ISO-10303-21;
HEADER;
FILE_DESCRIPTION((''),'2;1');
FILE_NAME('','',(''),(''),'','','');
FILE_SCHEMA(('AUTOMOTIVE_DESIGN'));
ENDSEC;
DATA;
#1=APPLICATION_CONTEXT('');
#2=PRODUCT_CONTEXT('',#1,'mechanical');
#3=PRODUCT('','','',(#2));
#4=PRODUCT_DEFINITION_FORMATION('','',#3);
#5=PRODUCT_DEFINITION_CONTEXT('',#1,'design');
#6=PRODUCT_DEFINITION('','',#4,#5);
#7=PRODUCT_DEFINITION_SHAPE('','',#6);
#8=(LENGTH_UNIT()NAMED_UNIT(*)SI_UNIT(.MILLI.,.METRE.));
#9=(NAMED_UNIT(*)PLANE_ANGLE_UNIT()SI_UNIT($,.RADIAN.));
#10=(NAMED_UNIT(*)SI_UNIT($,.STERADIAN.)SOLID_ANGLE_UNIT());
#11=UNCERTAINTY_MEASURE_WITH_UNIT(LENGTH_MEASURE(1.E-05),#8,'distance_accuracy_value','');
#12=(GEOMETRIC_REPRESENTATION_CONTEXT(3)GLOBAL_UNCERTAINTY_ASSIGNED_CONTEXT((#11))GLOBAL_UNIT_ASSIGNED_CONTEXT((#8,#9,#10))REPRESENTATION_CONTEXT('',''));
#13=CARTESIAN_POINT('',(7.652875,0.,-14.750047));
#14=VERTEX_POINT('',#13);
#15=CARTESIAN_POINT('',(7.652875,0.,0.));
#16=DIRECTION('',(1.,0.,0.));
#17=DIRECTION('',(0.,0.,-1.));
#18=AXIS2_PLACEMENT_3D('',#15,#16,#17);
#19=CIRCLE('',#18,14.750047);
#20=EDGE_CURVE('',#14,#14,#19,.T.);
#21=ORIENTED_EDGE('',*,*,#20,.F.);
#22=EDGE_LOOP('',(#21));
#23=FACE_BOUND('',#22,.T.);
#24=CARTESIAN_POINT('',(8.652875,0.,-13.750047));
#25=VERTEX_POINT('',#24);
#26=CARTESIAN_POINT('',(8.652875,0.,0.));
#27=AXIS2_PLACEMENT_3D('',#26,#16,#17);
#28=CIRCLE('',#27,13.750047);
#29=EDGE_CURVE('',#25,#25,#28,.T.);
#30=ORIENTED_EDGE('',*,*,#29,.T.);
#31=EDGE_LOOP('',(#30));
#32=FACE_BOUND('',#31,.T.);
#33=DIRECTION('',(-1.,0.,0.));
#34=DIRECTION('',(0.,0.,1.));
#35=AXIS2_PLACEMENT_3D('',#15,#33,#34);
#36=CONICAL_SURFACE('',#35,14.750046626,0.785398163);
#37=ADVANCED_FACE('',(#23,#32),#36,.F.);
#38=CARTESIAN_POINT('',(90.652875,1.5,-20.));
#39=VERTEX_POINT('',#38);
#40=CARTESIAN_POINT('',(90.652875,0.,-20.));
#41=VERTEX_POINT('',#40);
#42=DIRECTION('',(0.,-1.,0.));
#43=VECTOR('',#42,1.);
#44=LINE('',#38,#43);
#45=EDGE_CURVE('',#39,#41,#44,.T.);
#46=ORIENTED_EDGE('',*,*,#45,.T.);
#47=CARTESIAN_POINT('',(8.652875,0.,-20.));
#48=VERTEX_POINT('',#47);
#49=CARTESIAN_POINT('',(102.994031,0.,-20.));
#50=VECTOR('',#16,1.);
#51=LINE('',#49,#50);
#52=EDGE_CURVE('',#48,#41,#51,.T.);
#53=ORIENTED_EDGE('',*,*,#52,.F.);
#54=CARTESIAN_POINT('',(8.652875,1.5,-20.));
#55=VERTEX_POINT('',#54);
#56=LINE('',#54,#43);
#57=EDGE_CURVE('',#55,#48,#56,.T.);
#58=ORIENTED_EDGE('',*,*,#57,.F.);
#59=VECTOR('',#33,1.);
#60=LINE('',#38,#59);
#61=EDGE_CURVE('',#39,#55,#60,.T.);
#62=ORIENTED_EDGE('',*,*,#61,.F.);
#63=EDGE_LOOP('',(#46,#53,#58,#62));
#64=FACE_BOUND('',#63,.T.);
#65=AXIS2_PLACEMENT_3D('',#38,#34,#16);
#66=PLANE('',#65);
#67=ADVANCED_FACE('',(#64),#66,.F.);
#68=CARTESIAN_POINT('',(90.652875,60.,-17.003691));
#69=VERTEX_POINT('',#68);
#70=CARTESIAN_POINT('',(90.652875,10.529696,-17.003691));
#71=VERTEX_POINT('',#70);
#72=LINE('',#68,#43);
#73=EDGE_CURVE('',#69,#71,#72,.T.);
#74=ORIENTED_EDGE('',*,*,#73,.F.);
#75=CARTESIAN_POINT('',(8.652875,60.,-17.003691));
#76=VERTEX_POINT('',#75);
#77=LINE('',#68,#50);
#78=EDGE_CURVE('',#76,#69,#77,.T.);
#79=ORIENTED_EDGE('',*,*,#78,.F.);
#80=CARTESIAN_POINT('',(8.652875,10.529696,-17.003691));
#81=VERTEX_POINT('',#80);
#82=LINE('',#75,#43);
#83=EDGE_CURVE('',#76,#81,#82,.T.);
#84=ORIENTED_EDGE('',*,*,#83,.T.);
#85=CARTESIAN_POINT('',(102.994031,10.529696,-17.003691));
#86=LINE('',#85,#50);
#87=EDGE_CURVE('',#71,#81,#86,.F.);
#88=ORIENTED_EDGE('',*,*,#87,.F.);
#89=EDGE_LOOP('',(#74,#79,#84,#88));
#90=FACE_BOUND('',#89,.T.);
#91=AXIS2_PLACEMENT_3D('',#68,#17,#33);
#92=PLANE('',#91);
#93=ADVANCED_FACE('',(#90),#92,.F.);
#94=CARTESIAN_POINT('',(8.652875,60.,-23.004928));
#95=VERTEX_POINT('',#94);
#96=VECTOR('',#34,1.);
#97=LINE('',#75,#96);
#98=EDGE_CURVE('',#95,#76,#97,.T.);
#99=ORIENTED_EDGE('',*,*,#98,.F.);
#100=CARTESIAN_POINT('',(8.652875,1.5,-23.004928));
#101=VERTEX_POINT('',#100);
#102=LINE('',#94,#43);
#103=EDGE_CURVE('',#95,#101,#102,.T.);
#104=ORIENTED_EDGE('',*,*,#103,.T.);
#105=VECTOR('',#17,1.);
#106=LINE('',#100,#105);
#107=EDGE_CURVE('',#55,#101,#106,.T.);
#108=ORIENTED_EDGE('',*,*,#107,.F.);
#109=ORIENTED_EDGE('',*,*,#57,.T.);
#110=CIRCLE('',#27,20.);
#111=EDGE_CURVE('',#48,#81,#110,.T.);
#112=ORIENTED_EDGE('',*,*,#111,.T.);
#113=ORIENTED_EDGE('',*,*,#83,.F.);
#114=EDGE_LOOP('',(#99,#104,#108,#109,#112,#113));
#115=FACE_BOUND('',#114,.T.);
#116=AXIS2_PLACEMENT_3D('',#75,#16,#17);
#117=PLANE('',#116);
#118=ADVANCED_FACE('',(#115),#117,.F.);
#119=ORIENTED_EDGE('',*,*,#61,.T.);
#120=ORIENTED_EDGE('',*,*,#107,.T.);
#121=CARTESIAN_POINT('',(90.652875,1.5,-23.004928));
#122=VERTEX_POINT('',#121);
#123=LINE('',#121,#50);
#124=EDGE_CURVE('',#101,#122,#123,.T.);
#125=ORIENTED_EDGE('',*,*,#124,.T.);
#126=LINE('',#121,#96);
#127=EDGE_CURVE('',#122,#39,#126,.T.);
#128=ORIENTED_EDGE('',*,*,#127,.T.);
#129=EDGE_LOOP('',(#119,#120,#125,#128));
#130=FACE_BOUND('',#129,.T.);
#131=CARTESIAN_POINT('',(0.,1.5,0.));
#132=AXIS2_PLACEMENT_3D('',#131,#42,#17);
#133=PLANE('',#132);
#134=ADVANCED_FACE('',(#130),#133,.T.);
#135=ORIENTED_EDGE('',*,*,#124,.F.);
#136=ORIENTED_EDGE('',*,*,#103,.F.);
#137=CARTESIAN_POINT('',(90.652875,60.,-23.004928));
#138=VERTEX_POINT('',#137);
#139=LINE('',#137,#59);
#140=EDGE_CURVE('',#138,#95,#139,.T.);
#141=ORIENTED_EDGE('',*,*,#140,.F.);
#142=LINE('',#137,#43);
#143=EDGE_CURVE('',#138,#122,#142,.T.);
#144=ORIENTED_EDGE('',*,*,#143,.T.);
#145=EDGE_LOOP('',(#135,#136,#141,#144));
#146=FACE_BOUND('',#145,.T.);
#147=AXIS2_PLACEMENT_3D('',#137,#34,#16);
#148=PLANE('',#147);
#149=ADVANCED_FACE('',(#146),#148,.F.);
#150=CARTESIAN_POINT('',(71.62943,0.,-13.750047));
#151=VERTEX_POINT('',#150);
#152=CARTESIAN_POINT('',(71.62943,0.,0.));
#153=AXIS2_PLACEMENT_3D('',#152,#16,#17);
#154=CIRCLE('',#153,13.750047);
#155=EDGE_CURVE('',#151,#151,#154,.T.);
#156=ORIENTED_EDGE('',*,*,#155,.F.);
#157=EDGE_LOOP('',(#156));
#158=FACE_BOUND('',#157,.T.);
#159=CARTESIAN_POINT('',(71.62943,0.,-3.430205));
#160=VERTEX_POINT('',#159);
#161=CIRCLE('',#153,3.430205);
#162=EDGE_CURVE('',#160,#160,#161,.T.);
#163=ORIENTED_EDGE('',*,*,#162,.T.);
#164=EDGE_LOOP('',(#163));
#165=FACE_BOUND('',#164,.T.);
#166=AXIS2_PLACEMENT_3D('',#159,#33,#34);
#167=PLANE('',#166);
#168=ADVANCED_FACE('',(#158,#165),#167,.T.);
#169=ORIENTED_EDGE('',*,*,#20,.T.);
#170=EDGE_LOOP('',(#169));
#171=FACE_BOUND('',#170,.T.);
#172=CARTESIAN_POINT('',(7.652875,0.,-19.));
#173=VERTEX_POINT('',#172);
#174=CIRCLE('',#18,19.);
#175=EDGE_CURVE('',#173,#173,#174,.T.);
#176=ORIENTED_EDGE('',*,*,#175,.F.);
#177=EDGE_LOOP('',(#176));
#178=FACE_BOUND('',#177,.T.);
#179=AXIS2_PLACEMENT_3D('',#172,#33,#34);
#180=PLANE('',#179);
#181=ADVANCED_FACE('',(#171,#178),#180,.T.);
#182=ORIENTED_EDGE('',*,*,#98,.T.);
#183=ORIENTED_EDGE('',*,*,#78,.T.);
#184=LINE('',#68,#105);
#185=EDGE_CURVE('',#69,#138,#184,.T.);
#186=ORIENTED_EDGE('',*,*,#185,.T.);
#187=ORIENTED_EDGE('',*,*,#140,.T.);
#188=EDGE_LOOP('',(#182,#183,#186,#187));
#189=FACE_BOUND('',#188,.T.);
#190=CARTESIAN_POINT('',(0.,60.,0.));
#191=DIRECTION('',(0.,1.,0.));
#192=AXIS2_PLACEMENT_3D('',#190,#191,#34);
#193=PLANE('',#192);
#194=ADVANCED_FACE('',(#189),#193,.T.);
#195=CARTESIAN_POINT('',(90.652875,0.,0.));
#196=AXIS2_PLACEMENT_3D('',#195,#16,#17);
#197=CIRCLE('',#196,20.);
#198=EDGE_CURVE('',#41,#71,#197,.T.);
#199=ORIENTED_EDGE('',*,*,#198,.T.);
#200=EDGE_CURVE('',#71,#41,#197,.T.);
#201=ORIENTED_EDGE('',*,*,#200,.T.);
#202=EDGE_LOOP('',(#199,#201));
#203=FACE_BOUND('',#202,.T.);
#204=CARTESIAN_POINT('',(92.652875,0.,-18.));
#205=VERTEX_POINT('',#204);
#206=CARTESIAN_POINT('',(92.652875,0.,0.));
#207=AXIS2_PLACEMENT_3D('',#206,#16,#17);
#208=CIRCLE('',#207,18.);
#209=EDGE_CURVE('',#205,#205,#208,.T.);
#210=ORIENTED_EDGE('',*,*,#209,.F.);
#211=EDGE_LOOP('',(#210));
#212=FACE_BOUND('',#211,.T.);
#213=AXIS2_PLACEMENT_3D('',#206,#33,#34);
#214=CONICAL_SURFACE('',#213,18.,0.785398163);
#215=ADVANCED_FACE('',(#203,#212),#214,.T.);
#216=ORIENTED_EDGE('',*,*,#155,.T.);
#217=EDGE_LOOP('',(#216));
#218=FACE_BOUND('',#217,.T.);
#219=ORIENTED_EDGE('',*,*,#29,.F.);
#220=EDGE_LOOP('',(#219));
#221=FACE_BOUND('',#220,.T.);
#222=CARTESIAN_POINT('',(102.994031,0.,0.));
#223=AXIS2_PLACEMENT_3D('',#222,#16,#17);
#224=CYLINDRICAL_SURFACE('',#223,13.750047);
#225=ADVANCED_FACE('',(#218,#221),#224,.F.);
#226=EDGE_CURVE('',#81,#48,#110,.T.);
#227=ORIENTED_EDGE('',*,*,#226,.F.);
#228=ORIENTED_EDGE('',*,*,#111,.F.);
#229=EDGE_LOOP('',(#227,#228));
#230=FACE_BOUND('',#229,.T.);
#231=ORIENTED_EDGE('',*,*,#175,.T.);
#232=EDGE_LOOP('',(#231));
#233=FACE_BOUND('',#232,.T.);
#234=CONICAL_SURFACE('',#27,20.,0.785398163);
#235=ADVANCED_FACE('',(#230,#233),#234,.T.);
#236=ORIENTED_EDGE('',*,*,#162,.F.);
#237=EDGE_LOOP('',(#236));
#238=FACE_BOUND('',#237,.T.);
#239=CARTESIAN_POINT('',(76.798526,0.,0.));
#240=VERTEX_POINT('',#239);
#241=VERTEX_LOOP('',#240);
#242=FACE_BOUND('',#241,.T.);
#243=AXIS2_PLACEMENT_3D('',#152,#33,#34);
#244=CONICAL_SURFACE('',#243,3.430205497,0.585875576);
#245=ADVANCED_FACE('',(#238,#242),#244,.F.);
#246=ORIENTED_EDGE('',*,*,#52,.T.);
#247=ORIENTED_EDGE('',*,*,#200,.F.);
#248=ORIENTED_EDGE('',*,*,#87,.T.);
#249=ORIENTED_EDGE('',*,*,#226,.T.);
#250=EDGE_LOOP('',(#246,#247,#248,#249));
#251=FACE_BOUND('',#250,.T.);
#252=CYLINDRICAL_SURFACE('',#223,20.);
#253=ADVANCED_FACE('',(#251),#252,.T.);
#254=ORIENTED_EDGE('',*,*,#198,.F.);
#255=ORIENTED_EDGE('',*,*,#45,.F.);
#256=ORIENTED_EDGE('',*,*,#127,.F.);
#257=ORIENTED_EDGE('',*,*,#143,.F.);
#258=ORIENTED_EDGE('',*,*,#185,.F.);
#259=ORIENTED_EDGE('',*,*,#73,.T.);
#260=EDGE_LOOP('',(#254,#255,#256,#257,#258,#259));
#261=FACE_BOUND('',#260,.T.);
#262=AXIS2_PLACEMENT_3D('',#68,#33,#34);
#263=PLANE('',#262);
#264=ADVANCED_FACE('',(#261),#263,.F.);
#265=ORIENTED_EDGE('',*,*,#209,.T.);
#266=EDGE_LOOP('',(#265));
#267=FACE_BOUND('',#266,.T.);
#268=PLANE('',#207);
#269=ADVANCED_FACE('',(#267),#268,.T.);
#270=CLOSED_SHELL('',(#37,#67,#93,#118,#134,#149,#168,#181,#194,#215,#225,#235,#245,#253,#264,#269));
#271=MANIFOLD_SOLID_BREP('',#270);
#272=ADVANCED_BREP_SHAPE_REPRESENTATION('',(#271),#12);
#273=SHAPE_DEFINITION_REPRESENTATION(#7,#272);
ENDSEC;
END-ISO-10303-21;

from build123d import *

# Parameters (mm, degrees)
SKETCH_2_W          = 82
SKETCH_2_H          = 6.001237201
EXTRUDE_1_DEPTH     = 60
SKETCH_3_W          = 82
SKETCH_3_H          = 3.004928021
CUT_EXTRUDE_1_DEPTH = 1.5


with BuildPart() as part:
    # Эскиз1 → Повернуть4 (revolve)
    with BuildSketch(Plane(origin=(0, 0, 0), x_dir=(1, 0, 0), z_dir=(0, 1, 0))):
        Polygon((92.65287472, 0), (92.65287472, 18), (90.65287472, 20), (8.65287472, 20), (7.65287472, 19), (7.65287472, 14.750046626), (8.65287472, 13.750046626), (71.629429714, 13.750046626), (71.629429714, 3.430205497), (76.798526349, 0), align=None)
    revolve(axis=Axis((102.994030824, 0, 0), (-1, 0, 0)))

    # Эскиз2 → Бобышка-Вытянуть1 (add)
    with BuildSketch(Plane(origin=(0, 0, 0), x_dir=(1, 0, 0), z_dir=(0, 1, 0))):
        with Locations((49.65287472, 20.004309421)):
            Rectangle(SKETCH_2_W, SKETCH_2_H)
    extrude(amount=EXTRUDE_1_DEPTH)

    # Эскиз3 → Вырез-Вытянуть1 (cut)
    with BuildSketch(Plane.XZ):
        with Locations((49.65287472, -21.50246401)):
            Rectangle(SKETCH_3_W, SKETCH_3_H)
    extrude(amount=-CUT_EXTRUDE_1_DEPTH, mode=Mode.SUBTRACT)


solid = part.part
